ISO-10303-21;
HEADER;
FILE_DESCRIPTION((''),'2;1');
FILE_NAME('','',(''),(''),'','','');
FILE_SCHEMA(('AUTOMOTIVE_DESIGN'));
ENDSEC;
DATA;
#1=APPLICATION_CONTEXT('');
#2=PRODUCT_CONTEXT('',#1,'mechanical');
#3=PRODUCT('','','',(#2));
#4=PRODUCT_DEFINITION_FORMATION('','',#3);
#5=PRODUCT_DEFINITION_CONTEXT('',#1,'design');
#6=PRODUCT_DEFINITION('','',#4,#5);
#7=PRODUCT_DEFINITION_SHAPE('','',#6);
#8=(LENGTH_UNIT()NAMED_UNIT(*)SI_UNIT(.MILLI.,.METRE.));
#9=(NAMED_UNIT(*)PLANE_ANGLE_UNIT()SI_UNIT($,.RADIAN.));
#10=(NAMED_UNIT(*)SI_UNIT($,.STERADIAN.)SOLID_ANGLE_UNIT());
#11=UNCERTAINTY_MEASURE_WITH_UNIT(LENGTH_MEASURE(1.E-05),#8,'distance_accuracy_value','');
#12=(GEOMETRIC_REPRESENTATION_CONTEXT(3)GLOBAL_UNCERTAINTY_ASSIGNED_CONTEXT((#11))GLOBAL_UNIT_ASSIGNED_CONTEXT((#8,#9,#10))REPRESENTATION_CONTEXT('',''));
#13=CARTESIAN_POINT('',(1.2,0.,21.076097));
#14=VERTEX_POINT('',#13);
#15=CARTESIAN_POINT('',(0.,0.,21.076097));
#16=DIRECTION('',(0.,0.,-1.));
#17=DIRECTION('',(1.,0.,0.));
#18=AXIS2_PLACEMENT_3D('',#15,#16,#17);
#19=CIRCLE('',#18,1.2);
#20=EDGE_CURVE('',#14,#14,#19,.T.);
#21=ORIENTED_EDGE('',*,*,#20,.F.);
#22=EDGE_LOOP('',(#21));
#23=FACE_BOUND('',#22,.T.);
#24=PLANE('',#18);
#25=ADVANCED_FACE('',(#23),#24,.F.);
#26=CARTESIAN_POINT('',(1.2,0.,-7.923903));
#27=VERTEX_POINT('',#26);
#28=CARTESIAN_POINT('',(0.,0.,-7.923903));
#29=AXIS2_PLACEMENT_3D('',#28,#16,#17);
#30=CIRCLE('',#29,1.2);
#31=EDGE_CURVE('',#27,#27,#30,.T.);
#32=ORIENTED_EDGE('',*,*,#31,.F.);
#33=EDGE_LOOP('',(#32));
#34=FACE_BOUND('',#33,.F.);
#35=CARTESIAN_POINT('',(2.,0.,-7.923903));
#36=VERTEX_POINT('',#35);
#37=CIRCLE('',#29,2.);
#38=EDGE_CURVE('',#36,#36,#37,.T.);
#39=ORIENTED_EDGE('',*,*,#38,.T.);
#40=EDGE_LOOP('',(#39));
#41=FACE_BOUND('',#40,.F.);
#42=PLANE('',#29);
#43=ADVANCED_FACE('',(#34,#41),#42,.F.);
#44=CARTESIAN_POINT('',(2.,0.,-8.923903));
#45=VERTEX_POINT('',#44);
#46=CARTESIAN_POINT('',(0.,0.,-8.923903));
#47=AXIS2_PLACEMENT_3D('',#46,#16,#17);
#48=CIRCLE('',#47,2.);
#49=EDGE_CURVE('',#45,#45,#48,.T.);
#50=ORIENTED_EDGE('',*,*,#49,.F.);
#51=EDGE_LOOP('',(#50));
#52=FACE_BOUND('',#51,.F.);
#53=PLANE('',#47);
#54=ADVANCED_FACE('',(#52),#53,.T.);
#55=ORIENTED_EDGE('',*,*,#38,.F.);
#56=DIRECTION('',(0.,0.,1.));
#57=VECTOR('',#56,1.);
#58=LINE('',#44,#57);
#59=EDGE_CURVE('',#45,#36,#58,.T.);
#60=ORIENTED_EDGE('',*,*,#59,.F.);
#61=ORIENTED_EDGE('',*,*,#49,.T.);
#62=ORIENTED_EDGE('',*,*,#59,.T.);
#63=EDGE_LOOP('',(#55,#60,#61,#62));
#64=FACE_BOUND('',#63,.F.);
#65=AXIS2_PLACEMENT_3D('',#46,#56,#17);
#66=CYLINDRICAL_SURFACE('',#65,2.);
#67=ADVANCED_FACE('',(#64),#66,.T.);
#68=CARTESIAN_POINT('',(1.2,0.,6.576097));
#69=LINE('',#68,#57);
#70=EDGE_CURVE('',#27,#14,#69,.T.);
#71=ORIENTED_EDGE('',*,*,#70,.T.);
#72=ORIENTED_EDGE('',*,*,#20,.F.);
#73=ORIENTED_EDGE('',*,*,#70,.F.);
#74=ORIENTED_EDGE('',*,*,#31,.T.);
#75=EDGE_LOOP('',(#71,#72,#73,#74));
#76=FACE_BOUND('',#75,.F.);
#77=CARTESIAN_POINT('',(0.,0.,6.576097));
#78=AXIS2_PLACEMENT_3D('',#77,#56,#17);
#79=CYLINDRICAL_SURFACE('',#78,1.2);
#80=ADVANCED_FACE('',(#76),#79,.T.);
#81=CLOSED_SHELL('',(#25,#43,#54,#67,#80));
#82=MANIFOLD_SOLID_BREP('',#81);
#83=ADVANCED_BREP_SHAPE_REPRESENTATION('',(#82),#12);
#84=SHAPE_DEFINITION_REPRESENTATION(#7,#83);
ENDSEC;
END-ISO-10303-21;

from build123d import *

# Parameters (mm, degrees)
F0_W = 1.2
F0_H = 29


with BuildPart() as f1:
    # F0 (on Front) → F1 (revolve)
    with BuildSketch(Plane.XZ):
        Polygon((1.2, -7.923903), (0, -7.923903), (0, -8.923903), (2, -8.923903), (2, -7.923903), align=None)
        with Locations((0.6, 6.576097)):
            Rectangle(F0_W, F0_H)
    revolve(axis=Axis((0, 0, 6.576097), (0, 0, -1)))


solid = f1.part
